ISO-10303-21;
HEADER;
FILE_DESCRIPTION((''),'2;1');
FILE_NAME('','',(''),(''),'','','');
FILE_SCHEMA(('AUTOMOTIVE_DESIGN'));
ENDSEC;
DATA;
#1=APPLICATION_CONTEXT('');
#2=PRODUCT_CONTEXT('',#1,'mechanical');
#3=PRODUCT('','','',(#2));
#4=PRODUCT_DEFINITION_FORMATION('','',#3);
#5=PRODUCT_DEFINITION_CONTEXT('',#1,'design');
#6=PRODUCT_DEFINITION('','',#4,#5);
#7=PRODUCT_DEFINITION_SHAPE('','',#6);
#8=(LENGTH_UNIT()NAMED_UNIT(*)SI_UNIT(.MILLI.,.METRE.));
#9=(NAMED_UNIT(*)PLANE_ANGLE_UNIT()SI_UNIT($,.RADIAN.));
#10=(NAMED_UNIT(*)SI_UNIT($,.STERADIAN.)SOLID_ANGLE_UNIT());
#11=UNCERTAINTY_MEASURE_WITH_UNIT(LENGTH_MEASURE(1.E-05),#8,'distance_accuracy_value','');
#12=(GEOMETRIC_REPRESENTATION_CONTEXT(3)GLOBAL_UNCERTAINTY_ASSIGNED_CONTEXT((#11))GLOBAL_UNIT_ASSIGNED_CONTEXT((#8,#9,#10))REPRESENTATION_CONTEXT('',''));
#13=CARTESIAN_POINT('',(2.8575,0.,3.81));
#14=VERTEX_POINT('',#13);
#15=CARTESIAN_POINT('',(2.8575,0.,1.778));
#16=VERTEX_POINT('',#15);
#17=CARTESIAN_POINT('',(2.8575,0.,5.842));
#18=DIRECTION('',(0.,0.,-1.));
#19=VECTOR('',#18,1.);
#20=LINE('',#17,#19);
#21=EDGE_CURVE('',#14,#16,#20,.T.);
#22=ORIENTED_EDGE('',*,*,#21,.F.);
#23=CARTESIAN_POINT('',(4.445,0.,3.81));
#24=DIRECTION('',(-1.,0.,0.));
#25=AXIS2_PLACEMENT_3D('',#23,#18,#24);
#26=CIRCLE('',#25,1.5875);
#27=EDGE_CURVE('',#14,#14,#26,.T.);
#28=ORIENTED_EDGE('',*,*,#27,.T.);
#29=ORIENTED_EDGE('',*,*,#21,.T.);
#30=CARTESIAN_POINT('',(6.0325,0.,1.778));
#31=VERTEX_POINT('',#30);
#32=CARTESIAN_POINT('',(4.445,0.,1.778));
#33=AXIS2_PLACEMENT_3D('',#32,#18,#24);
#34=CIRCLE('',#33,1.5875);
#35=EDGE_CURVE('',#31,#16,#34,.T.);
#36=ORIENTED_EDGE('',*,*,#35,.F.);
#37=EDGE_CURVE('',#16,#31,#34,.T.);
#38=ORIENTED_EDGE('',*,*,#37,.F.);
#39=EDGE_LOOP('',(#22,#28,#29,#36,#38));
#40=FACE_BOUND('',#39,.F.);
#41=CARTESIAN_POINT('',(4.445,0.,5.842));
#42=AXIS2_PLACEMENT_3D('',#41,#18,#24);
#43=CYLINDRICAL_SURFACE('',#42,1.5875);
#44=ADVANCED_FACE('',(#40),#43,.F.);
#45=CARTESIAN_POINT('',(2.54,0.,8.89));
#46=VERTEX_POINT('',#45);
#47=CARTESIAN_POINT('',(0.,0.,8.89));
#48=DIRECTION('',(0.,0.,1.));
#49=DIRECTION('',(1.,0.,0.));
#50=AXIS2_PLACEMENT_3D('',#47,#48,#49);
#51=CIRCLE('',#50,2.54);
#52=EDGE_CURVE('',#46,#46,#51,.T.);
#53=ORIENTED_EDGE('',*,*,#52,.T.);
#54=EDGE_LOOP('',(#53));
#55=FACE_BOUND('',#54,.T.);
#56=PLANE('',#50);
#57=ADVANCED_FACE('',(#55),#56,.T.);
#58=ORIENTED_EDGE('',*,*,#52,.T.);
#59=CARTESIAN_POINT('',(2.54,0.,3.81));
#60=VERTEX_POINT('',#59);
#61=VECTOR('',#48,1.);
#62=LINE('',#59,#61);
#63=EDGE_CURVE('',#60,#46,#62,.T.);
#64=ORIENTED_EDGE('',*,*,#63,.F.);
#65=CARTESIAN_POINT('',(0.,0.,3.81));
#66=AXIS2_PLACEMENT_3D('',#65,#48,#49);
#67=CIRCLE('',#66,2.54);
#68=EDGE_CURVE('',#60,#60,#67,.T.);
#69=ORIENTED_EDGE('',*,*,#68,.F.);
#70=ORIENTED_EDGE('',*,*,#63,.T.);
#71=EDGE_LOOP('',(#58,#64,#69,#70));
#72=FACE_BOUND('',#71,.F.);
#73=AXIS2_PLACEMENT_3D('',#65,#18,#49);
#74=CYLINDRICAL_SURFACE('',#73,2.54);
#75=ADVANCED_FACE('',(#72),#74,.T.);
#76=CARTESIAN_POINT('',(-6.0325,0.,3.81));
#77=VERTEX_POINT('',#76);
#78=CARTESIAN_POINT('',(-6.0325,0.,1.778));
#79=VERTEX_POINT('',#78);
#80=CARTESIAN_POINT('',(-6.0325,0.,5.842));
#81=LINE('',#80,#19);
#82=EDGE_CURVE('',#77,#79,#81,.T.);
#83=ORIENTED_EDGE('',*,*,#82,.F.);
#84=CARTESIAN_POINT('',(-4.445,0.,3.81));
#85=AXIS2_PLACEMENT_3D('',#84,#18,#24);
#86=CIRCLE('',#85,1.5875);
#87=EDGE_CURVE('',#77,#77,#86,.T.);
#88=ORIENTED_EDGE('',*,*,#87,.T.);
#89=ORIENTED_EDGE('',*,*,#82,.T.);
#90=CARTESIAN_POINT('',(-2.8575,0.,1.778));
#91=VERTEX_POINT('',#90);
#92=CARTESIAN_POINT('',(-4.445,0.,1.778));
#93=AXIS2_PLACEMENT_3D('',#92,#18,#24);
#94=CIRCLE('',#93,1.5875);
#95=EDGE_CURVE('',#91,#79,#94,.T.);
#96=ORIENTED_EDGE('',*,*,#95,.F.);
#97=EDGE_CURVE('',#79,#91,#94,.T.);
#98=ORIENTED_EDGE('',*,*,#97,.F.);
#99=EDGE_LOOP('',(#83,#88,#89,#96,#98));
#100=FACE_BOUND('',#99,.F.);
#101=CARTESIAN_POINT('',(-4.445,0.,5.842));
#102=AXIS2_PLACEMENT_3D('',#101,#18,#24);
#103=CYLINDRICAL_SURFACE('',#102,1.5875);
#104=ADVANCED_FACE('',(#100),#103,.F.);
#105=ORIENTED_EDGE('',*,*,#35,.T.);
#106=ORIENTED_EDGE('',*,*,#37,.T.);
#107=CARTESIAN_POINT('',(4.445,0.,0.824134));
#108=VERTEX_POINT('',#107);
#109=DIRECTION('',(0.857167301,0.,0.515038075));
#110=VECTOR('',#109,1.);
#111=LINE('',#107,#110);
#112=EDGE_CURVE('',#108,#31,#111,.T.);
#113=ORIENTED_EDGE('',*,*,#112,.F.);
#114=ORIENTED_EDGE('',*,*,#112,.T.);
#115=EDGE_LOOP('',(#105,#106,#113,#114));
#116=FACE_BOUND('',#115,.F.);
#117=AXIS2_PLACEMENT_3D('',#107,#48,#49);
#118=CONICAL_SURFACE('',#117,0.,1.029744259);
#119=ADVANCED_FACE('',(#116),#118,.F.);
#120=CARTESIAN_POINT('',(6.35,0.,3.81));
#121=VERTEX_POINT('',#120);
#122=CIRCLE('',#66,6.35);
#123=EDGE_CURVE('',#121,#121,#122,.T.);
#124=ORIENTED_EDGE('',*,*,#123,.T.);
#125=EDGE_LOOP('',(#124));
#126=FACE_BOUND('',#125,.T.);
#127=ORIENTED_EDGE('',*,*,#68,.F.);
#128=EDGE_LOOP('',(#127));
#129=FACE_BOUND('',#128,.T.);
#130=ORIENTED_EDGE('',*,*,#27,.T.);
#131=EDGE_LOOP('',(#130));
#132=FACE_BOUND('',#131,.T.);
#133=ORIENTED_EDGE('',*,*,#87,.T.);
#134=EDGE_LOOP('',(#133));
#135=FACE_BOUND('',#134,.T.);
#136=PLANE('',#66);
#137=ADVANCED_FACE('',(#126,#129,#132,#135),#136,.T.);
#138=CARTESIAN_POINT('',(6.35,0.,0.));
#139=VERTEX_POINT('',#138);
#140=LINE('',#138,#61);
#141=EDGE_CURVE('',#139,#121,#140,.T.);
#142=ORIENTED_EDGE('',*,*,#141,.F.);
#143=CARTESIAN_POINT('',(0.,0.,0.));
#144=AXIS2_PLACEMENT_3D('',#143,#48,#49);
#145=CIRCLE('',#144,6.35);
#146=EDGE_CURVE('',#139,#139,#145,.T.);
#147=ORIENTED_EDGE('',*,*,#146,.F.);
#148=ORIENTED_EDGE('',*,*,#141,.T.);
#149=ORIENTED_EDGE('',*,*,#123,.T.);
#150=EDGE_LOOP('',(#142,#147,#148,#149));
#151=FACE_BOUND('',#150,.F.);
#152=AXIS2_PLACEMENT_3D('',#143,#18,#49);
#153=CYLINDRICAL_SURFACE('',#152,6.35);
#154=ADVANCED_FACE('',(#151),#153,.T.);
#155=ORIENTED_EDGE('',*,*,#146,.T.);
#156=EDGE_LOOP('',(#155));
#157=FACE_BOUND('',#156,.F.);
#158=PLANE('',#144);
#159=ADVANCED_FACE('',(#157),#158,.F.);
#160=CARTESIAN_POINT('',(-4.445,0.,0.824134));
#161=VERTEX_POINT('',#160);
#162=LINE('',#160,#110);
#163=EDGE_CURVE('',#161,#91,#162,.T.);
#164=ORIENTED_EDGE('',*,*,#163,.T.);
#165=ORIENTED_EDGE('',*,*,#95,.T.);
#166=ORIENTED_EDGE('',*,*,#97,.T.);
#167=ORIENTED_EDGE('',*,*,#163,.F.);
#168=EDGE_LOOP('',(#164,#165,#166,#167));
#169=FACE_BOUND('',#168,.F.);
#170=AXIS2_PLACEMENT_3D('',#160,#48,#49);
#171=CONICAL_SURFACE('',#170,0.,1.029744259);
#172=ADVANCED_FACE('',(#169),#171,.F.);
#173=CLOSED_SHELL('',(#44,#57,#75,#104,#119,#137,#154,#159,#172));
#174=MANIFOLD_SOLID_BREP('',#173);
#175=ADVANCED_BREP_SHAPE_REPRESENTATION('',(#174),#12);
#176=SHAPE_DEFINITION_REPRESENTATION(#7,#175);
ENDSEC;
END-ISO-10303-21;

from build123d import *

# Parameters (mm, degrees)
F0_R     = 6.35
F1_DEPTH = 3.81
F2_R     = 2.54
F3_DEPTH = 5.08
F6_D     = 3.175
F6_DEPTH = 2.032
F6_TIP   = 0.9538662327
F7_D     = 3.175
F7_DEPTH = 2.032
F7_TIP   = 0.9538662327


with BuildPart() as f1:
    # F0 (on Top) → F1 (new body)
    with BuildSketch(Plane.XY):
        Circle(F0_R)
    extrude(amount=F1_DEPTH)

    # F2 (on face) → F3 (join)
    with BuildSketch(Plane.XY.offset(3.81)):
        Circle(F2_R)
    extrude(amount=F3_DEPTH)

    # F6
    with Locations(Plane.XY.offset(3.81)):
        with Locations((-4.445, 0)):
            Hole(F6_D / 2, depth=F6_DEPTH)
            with Locations((0, 0, -(F6_DEPTH + F6_TIP / 2))):  # 118° drill point
                Cone(0, F6_D / 2, F6_TIP, mode=Mode.SUBTRACT)

    # F7
    with Locations(Plane.XY.offset(3.81)):
        with Locations((4.445, 0)):
            Hole(F7_D / 2, depth=F7_DEPTH)
            with Locations((0, 0, -(F7_DEPTH + F7_TIP / 2))):  # 118° drill point
                Cone(0, F7_D / 2, F7_TIP, mode=Mode.SUBTRACT)


solid = f1.part
